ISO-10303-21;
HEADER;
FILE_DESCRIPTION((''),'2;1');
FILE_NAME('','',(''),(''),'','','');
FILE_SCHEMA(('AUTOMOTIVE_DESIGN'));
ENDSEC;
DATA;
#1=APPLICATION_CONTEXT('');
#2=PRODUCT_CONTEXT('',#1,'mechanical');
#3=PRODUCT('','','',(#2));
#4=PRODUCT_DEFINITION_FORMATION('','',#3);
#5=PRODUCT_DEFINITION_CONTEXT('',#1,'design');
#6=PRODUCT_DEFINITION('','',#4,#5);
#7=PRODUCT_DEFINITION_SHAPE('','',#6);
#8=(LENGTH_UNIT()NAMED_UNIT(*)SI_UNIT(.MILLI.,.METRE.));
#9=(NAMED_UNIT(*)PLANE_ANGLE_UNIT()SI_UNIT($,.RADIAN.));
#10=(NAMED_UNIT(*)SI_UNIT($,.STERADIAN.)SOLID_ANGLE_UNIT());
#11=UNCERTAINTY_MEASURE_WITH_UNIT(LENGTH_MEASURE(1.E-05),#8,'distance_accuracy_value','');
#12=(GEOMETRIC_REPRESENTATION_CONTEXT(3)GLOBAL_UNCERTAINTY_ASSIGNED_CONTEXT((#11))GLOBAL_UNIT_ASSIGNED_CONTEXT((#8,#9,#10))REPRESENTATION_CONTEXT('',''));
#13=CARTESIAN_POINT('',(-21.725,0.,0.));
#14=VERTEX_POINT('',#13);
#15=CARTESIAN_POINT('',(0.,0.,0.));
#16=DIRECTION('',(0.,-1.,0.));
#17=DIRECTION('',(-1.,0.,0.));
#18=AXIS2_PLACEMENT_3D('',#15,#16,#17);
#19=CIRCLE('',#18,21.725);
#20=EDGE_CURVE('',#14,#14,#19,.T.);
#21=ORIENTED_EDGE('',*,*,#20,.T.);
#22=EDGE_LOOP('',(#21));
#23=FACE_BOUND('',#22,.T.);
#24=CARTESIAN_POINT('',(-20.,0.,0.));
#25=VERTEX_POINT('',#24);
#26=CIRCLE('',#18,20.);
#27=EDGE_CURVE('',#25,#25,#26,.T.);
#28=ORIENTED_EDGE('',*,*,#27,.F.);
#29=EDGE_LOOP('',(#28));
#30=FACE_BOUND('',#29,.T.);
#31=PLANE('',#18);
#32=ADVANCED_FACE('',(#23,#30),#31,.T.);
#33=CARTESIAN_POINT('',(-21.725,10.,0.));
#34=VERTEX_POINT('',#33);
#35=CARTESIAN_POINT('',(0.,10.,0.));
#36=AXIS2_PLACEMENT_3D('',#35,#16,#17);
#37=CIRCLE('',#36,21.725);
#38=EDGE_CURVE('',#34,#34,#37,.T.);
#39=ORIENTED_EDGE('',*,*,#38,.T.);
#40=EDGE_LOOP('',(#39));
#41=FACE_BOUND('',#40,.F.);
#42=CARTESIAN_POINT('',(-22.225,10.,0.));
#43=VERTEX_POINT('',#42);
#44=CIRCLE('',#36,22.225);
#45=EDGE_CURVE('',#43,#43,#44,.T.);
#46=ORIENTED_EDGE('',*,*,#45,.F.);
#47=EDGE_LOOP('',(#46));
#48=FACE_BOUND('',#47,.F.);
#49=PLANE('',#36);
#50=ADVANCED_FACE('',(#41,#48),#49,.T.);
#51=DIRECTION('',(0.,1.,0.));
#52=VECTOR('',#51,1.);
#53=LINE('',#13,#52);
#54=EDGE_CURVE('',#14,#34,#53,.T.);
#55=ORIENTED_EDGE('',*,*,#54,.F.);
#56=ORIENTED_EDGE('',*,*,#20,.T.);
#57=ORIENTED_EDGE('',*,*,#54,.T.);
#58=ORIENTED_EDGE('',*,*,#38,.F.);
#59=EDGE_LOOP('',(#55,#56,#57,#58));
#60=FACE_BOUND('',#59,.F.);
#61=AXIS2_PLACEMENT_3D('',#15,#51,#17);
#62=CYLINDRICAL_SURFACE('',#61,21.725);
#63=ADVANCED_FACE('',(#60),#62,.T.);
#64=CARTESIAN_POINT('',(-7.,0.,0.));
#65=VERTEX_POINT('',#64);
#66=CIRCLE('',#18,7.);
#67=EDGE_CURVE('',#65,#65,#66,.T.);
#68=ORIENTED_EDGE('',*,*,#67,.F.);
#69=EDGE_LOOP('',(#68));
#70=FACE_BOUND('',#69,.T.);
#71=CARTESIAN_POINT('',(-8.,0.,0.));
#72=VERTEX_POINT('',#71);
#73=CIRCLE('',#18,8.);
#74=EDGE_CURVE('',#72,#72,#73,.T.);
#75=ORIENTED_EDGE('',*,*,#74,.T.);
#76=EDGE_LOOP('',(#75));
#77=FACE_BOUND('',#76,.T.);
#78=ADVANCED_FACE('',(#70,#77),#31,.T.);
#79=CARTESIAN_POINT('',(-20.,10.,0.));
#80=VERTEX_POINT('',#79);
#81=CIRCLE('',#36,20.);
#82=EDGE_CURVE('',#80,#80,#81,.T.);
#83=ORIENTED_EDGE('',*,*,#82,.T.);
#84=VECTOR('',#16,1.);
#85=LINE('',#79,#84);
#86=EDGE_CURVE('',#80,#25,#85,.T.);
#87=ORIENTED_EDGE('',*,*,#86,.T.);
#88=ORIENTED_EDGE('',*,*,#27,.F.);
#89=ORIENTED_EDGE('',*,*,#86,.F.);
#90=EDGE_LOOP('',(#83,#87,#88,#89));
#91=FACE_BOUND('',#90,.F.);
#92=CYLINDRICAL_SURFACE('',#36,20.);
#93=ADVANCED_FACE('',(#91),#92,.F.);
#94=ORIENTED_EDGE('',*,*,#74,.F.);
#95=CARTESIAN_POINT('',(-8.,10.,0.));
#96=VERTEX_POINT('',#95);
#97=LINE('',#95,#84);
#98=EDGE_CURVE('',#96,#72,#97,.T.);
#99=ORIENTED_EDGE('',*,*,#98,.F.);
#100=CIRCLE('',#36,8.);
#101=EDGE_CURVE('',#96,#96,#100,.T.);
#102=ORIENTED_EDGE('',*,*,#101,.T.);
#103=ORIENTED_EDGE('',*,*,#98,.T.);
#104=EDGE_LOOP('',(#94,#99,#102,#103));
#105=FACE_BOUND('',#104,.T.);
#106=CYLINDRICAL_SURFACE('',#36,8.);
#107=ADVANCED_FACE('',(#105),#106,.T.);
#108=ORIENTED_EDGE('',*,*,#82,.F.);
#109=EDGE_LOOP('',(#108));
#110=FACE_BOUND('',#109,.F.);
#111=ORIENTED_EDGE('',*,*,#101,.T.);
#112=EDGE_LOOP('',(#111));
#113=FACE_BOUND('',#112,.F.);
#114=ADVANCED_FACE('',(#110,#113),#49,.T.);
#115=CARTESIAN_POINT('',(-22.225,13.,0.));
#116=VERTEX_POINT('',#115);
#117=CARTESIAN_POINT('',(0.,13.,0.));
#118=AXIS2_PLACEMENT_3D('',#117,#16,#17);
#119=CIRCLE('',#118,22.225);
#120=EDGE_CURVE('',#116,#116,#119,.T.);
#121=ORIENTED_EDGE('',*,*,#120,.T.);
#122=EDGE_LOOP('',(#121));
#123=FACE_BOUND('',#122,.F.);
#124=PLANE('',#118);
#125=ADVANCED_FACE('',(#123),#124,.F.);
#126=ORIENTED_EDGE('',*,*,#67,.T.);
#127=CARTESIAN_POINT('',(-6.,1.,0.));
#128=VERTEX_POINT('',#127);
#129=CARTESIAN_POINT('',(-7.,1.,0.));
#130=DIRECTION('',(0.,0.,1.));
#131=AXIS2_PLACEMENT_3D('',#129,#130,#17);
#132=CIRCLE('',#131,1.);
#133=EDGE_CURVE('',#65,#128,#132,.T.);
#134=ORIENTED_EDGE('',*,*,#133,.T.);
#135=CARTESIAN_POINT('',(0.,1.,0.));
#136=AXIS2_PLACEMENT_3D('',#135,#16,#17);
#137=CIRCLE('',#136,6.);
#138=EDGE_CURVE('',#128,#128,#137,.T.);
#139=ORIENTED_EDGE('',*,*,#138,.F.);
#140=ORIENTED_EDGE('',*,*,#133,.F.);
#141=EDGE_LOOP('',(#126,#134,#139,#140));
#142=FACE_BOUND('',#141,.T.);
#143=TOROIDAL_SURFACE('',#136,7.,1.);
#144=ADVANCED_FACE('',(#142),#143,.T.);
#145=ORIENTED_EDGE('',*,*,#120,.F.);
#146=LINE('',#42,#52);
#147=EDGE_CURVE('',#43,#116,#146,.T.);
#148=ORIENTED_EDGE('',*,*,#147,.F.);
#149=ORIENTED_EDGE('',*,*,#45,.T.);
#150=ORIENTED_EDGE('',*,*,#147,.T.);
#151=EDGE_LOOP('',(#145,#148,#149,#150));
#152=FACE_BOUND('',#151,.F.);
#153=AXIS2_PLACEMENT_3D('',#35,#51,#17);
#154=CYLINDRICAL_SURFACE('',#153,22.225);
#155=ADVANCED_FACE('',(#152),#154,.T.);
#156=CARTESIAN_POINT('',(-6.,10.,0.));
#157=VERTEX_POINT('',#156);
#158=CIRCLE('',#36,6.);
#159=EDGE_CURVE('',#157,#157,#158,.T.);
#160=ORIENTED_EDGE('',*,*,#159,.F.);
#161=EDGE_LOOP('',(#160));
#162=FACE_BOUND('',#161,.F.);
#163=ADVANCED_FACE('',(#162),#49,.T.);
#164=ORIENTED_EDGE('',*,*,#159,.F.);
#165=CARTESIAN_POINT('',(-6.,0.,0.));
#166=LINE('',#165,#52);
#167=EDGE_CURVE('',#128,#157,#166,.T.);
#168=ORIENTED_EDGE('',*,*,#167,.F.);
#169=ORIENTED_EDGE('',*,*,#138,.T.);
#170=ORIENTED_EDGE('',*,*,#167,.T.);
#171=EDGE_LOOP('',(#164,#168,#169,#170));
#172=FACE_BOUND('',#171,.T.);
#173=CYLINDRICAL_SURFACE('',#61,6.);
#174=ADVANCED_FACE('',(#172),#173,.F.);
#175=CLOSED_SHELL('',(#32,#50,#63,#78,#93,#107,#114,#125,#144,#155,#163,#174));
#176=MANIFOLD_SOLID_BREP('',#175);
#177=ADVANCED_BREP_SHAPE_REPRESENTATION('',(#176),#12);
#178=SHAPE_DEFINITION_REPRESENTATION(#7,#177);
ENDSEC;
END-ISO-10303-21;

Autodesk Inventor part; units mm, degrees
ref_plane "YZ Plane" through (0, 0, 0) normal (1, 0, 0) x (0, 1, 0)
ref_plane "XZ Plane" through (0, 0, 0) normal (0, 1, 0) x (-1, 0, 0)
ref_plane "XY Plane" through (0, 0, 0) normal (0, 0, 1) x (1, 0, 0)
sketch "Sketch1" plane through (0, 0, 0) normal (0, 0, 1) x (1, 0, 0)
  line L0 (-22.225, 13) -> (0, 13)
  line L1 (0, 13) -> (0, 10)
  line L2 (0, 10) -> (-20, 10)
  line L3 (-21.725, 0) -> (-20, 0)
  line L4 (-21.725, 0) -> (-21.725, 10)
  line L5 (-21.725, 10) -> (-22.225, 10)
  line L6 (-22.225, 10) -> (-22.225, 13)
  line L7 (-21.725, -10) -> (-22.225, -10) construction
  line L8 (-22.225, -10) -> (-22.225, 0) construction
  line L9 (-22.225, 0) -> (-21.725, 0) construction
  line L10 (-21.725, 0) -> (-21.725, -10) construction
  line L11 (-20, 10) -> (-20, 0)
  line L12 (-6, 10) -> (-8, 10)
  line L13 (-8, 10) -> (-8, 0)
  line L14 (-8, 0) -> (-6, 0)
  line L15 (-6, 0) -> (-6, 10)
  point P0 (0, 0)
  point P1 (-8, 10)
  dimension "d16" = 3
  dimension "d20" = 0.5
  dimension "d21" = 10
  dimension "d22" = 22.225
  dimension "d25" = 10
  dimension "d27" = 22.225
  dimension "d28" = 8
  dimension "d29" = 2
  dimension "d30" = 10
  dimension "d35" = 20
revolve "Revolution1" add sketch "Sketch1" angle 360 about axis through (0, 13, 0) along (0, -1, 0)
fillet "Fillet1" radius 1 1 edges at (6, 0, 0)
properties part number "CapCenterThin" material "Brass"
